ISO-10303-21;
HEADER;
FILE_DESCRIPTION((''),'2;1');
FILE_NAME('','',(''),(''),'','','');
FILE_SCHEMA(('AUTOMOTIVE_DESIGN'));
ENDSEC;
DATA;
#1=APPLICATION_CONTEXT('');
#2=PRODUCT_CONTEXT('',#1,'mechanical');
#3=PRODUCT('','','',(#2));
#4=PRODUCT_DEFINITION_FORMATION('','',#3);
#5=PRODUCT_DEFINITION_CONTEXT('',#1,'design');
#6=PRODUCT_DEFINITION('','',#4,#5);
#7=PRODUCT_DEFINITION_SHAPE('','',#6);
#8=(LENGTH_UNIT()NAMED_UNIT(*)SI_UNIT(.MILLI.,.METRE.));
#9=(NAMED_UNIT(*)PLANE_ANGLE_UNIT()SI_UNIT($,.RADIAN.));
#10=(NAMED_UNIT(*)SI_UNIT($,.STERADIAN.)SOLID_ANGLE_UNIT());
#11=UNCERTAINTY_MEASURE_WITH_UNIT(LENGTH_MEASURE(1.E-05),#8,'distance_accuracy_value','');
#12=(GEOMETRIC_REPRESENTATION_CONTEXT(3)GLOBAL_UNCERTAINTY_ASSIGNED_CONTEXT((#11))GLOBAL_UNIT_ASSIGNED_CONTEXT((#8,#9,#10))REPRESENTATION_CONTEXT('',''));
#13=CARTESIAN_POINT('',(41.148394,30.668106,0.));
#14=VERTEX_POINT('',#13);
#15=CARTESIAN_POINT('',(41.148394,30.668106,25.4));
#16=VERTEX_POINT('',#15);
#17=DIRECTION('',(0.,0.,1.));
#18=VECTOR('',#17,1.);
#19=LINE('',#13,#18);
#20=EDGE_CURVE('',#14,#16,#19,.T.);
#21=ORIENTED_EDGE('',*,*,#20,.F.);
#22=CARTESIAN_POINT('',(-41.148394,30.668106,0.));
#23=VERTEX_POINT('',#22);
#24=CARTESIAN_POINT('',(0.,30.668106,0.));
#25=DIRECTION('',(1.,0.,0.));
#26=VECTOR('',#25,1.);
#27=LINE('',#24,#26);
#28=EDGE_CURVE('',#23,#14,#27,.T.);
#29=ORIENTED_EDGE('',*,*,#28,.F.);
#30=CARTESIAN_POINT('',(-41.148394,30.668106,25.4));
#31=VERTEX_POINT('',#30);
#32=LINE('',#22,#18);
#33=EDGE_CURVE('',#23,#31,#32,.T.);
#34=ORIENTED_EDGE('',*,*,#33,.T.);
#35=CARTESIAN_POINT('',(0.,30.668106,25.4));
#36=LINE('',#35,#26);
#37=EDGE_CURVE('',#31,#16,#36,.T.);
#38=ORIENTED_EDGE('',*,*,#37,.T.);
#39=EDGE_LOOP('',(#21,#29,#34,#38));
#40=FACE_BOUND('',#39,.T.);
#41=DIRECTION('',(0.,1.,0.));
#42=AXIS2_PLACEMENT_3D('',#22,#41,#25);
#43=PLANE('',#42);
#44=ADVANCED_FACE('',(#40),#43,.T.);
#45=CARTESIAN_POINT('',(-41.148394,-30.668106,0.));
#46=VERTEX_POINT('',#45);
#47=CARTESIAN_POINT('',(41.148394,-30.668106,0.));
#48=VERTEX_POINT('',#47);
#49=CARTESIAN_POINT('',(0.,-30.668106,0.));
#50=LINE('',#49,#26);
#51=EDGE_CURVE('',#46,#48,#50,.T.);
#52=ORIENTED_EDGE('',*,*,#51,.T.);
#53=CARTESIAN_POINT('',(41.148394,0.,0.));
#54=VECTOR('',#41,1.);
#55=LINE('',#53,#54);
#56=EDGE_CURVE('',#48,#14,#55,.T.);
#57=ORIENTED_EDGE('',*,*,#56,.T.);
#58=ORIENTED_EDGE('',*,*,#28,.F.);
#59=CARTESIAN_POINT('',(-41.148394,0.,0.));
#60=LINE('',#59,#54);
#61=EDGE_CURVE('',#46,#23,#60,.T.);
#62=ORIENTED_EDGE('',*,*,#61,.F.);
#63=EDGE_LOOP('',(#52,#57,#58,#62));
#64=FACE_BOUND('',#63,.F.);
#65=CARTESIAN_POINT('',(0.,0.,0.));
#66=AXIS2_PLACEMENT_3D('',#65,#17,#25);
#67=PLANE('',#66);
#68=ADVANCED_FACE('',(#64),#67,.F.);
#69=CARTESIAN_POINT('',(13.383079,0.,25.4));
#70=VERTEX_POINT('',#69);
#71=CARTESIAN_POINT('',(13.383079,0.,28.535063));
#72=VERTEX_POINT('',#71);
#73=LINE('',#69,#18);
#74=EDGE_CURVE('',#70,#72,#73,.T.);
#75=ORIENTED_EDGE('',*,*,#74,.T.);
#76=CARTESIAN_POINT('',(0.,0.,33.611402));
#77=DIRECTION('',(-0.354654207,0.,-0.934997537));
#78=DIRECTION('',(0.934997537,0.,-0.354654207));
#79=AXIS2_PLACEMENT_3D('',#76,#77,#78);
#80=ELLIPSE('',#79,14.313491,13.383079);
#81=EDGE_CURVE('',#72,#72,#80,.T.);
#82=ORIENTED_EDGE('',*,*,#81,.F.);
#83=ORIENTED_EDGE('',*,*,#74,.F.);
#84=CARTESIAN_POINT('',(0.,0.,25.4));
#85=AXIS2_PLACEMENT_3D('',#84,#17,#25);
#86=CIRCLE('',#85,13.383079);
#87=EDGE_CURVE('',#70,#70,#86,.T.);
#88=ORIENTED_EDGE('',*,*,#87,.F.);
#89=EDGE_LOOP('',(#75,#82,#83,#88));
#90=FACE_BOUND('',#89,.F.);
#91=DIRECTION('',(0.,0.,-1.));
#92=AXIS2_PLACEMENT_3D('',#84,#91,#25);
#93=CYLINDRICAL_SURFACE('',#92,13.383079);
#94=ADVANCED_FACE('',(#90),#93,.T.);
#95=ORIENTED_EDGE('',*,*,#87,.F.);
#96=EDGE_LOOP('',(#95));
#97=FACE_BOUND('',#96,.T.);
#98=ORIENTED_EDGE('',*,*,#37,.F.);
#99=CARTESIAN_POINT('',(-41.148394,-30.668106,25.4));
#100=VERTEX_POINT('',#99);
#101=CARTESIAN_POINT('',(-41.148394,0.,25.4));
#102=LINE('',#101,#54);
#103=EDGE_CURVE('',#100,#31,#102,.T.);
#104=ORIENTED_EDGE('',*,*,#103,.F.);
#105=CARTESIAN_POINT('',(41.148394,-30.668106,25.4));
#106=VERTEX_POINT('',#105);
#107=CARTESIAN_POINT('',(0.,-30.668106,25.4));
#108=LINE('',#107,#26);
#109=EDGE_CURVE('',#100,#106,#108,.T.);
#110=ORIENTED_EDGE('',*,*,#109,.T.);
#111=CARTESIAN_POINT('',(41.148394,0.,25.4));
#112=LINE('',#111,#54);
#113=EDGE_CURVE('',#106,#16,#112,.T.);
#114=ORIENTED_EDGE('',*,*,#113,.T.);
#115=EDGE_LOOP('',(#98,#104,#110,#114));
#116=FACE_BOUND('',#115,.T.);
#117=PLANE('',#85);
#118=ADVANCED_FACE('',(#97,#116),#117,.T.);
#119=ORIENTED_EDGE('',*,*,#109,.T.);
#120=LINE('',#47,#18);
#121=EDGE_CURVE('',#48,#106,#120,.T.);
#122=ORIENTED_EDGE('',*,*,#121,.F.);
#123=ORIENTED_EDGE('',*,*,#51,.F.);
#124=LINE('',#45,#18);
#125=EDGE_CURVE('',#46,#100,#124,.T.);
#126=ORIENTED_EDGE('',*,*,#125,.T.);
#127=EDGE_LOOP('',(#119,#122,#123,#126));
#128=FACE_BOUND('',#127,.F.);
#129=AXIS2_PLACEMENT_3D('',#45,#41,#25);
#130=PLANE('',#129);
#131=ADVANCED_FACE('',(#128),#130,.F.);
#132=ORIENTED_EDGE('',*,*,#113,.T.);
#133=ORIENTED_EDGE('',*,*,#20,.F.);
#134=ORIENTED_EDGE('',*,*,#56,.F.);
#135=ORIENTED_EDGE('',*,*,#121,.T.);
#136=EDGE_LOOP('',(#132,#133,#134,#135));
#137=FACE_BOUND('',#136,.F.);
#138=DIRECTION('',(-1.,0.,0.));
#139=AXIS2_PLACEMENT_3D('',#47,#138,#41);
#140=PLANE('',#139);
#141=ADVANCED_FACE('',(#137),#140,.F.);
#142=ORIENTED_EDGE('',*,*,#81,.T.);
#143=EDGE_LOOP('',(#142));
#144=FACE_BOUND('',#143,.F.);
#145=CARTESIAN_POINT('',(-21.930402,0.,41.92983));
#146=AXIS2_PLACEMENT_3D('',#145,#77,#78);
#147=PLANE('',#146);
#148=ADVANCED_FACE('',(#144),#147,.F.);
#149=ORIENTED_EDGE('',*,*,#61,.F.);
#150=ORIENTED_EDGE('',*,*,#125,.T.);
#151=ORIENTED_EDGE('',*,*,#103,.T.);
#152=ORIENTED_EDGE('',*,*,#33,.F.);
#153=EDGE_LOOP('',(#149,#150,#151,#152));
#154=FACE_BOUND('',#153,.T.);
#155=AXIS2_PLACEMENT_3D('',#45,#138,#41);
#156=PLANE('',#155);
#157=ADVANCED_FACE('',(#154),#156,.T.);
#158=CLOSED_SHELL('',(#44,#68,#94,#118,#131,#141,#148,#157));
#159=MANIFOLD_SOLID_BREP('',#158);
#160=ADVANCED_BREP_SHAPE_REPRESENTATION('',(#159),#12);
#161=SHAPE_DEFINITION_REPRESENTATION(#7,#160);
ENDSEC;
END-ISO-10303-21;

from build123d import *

# Parameters (mm, degrees)
F0_W     = 82.296788
F0_H     = 61.336212
F1_DEPTH = 25.4
F2_R     = 13.383079
F3_DEPTH = 14.986
F5_DEPTH = 25.4


with BuildPart() as f1:
    # F0 (on Top) → F1 (new body)
    with BuildSketch(Plane.XY):
        Rectangle(F0_W, F0_H)
    extrude(amount=F1_DEPTH)

    # F2 (on face) → F3 (join)
    with BuildSketch(Plane.XY.offset(25.4)):
        Circle(F2_R)
    extrude(amount=F3_DEPTH)

    # F4 (on Front) → F5 (cut, symmetric)
    with BuildSketch(Plane.XZ):
        Polygon((18.06845, 41.92983), (-21.930402, 41.92983), (18.06845, 26.757853), align=None)
    extrude(amount=F5_DEPTH, both=True, mode=Mode.SUBTRACT)


solid = f1.part
